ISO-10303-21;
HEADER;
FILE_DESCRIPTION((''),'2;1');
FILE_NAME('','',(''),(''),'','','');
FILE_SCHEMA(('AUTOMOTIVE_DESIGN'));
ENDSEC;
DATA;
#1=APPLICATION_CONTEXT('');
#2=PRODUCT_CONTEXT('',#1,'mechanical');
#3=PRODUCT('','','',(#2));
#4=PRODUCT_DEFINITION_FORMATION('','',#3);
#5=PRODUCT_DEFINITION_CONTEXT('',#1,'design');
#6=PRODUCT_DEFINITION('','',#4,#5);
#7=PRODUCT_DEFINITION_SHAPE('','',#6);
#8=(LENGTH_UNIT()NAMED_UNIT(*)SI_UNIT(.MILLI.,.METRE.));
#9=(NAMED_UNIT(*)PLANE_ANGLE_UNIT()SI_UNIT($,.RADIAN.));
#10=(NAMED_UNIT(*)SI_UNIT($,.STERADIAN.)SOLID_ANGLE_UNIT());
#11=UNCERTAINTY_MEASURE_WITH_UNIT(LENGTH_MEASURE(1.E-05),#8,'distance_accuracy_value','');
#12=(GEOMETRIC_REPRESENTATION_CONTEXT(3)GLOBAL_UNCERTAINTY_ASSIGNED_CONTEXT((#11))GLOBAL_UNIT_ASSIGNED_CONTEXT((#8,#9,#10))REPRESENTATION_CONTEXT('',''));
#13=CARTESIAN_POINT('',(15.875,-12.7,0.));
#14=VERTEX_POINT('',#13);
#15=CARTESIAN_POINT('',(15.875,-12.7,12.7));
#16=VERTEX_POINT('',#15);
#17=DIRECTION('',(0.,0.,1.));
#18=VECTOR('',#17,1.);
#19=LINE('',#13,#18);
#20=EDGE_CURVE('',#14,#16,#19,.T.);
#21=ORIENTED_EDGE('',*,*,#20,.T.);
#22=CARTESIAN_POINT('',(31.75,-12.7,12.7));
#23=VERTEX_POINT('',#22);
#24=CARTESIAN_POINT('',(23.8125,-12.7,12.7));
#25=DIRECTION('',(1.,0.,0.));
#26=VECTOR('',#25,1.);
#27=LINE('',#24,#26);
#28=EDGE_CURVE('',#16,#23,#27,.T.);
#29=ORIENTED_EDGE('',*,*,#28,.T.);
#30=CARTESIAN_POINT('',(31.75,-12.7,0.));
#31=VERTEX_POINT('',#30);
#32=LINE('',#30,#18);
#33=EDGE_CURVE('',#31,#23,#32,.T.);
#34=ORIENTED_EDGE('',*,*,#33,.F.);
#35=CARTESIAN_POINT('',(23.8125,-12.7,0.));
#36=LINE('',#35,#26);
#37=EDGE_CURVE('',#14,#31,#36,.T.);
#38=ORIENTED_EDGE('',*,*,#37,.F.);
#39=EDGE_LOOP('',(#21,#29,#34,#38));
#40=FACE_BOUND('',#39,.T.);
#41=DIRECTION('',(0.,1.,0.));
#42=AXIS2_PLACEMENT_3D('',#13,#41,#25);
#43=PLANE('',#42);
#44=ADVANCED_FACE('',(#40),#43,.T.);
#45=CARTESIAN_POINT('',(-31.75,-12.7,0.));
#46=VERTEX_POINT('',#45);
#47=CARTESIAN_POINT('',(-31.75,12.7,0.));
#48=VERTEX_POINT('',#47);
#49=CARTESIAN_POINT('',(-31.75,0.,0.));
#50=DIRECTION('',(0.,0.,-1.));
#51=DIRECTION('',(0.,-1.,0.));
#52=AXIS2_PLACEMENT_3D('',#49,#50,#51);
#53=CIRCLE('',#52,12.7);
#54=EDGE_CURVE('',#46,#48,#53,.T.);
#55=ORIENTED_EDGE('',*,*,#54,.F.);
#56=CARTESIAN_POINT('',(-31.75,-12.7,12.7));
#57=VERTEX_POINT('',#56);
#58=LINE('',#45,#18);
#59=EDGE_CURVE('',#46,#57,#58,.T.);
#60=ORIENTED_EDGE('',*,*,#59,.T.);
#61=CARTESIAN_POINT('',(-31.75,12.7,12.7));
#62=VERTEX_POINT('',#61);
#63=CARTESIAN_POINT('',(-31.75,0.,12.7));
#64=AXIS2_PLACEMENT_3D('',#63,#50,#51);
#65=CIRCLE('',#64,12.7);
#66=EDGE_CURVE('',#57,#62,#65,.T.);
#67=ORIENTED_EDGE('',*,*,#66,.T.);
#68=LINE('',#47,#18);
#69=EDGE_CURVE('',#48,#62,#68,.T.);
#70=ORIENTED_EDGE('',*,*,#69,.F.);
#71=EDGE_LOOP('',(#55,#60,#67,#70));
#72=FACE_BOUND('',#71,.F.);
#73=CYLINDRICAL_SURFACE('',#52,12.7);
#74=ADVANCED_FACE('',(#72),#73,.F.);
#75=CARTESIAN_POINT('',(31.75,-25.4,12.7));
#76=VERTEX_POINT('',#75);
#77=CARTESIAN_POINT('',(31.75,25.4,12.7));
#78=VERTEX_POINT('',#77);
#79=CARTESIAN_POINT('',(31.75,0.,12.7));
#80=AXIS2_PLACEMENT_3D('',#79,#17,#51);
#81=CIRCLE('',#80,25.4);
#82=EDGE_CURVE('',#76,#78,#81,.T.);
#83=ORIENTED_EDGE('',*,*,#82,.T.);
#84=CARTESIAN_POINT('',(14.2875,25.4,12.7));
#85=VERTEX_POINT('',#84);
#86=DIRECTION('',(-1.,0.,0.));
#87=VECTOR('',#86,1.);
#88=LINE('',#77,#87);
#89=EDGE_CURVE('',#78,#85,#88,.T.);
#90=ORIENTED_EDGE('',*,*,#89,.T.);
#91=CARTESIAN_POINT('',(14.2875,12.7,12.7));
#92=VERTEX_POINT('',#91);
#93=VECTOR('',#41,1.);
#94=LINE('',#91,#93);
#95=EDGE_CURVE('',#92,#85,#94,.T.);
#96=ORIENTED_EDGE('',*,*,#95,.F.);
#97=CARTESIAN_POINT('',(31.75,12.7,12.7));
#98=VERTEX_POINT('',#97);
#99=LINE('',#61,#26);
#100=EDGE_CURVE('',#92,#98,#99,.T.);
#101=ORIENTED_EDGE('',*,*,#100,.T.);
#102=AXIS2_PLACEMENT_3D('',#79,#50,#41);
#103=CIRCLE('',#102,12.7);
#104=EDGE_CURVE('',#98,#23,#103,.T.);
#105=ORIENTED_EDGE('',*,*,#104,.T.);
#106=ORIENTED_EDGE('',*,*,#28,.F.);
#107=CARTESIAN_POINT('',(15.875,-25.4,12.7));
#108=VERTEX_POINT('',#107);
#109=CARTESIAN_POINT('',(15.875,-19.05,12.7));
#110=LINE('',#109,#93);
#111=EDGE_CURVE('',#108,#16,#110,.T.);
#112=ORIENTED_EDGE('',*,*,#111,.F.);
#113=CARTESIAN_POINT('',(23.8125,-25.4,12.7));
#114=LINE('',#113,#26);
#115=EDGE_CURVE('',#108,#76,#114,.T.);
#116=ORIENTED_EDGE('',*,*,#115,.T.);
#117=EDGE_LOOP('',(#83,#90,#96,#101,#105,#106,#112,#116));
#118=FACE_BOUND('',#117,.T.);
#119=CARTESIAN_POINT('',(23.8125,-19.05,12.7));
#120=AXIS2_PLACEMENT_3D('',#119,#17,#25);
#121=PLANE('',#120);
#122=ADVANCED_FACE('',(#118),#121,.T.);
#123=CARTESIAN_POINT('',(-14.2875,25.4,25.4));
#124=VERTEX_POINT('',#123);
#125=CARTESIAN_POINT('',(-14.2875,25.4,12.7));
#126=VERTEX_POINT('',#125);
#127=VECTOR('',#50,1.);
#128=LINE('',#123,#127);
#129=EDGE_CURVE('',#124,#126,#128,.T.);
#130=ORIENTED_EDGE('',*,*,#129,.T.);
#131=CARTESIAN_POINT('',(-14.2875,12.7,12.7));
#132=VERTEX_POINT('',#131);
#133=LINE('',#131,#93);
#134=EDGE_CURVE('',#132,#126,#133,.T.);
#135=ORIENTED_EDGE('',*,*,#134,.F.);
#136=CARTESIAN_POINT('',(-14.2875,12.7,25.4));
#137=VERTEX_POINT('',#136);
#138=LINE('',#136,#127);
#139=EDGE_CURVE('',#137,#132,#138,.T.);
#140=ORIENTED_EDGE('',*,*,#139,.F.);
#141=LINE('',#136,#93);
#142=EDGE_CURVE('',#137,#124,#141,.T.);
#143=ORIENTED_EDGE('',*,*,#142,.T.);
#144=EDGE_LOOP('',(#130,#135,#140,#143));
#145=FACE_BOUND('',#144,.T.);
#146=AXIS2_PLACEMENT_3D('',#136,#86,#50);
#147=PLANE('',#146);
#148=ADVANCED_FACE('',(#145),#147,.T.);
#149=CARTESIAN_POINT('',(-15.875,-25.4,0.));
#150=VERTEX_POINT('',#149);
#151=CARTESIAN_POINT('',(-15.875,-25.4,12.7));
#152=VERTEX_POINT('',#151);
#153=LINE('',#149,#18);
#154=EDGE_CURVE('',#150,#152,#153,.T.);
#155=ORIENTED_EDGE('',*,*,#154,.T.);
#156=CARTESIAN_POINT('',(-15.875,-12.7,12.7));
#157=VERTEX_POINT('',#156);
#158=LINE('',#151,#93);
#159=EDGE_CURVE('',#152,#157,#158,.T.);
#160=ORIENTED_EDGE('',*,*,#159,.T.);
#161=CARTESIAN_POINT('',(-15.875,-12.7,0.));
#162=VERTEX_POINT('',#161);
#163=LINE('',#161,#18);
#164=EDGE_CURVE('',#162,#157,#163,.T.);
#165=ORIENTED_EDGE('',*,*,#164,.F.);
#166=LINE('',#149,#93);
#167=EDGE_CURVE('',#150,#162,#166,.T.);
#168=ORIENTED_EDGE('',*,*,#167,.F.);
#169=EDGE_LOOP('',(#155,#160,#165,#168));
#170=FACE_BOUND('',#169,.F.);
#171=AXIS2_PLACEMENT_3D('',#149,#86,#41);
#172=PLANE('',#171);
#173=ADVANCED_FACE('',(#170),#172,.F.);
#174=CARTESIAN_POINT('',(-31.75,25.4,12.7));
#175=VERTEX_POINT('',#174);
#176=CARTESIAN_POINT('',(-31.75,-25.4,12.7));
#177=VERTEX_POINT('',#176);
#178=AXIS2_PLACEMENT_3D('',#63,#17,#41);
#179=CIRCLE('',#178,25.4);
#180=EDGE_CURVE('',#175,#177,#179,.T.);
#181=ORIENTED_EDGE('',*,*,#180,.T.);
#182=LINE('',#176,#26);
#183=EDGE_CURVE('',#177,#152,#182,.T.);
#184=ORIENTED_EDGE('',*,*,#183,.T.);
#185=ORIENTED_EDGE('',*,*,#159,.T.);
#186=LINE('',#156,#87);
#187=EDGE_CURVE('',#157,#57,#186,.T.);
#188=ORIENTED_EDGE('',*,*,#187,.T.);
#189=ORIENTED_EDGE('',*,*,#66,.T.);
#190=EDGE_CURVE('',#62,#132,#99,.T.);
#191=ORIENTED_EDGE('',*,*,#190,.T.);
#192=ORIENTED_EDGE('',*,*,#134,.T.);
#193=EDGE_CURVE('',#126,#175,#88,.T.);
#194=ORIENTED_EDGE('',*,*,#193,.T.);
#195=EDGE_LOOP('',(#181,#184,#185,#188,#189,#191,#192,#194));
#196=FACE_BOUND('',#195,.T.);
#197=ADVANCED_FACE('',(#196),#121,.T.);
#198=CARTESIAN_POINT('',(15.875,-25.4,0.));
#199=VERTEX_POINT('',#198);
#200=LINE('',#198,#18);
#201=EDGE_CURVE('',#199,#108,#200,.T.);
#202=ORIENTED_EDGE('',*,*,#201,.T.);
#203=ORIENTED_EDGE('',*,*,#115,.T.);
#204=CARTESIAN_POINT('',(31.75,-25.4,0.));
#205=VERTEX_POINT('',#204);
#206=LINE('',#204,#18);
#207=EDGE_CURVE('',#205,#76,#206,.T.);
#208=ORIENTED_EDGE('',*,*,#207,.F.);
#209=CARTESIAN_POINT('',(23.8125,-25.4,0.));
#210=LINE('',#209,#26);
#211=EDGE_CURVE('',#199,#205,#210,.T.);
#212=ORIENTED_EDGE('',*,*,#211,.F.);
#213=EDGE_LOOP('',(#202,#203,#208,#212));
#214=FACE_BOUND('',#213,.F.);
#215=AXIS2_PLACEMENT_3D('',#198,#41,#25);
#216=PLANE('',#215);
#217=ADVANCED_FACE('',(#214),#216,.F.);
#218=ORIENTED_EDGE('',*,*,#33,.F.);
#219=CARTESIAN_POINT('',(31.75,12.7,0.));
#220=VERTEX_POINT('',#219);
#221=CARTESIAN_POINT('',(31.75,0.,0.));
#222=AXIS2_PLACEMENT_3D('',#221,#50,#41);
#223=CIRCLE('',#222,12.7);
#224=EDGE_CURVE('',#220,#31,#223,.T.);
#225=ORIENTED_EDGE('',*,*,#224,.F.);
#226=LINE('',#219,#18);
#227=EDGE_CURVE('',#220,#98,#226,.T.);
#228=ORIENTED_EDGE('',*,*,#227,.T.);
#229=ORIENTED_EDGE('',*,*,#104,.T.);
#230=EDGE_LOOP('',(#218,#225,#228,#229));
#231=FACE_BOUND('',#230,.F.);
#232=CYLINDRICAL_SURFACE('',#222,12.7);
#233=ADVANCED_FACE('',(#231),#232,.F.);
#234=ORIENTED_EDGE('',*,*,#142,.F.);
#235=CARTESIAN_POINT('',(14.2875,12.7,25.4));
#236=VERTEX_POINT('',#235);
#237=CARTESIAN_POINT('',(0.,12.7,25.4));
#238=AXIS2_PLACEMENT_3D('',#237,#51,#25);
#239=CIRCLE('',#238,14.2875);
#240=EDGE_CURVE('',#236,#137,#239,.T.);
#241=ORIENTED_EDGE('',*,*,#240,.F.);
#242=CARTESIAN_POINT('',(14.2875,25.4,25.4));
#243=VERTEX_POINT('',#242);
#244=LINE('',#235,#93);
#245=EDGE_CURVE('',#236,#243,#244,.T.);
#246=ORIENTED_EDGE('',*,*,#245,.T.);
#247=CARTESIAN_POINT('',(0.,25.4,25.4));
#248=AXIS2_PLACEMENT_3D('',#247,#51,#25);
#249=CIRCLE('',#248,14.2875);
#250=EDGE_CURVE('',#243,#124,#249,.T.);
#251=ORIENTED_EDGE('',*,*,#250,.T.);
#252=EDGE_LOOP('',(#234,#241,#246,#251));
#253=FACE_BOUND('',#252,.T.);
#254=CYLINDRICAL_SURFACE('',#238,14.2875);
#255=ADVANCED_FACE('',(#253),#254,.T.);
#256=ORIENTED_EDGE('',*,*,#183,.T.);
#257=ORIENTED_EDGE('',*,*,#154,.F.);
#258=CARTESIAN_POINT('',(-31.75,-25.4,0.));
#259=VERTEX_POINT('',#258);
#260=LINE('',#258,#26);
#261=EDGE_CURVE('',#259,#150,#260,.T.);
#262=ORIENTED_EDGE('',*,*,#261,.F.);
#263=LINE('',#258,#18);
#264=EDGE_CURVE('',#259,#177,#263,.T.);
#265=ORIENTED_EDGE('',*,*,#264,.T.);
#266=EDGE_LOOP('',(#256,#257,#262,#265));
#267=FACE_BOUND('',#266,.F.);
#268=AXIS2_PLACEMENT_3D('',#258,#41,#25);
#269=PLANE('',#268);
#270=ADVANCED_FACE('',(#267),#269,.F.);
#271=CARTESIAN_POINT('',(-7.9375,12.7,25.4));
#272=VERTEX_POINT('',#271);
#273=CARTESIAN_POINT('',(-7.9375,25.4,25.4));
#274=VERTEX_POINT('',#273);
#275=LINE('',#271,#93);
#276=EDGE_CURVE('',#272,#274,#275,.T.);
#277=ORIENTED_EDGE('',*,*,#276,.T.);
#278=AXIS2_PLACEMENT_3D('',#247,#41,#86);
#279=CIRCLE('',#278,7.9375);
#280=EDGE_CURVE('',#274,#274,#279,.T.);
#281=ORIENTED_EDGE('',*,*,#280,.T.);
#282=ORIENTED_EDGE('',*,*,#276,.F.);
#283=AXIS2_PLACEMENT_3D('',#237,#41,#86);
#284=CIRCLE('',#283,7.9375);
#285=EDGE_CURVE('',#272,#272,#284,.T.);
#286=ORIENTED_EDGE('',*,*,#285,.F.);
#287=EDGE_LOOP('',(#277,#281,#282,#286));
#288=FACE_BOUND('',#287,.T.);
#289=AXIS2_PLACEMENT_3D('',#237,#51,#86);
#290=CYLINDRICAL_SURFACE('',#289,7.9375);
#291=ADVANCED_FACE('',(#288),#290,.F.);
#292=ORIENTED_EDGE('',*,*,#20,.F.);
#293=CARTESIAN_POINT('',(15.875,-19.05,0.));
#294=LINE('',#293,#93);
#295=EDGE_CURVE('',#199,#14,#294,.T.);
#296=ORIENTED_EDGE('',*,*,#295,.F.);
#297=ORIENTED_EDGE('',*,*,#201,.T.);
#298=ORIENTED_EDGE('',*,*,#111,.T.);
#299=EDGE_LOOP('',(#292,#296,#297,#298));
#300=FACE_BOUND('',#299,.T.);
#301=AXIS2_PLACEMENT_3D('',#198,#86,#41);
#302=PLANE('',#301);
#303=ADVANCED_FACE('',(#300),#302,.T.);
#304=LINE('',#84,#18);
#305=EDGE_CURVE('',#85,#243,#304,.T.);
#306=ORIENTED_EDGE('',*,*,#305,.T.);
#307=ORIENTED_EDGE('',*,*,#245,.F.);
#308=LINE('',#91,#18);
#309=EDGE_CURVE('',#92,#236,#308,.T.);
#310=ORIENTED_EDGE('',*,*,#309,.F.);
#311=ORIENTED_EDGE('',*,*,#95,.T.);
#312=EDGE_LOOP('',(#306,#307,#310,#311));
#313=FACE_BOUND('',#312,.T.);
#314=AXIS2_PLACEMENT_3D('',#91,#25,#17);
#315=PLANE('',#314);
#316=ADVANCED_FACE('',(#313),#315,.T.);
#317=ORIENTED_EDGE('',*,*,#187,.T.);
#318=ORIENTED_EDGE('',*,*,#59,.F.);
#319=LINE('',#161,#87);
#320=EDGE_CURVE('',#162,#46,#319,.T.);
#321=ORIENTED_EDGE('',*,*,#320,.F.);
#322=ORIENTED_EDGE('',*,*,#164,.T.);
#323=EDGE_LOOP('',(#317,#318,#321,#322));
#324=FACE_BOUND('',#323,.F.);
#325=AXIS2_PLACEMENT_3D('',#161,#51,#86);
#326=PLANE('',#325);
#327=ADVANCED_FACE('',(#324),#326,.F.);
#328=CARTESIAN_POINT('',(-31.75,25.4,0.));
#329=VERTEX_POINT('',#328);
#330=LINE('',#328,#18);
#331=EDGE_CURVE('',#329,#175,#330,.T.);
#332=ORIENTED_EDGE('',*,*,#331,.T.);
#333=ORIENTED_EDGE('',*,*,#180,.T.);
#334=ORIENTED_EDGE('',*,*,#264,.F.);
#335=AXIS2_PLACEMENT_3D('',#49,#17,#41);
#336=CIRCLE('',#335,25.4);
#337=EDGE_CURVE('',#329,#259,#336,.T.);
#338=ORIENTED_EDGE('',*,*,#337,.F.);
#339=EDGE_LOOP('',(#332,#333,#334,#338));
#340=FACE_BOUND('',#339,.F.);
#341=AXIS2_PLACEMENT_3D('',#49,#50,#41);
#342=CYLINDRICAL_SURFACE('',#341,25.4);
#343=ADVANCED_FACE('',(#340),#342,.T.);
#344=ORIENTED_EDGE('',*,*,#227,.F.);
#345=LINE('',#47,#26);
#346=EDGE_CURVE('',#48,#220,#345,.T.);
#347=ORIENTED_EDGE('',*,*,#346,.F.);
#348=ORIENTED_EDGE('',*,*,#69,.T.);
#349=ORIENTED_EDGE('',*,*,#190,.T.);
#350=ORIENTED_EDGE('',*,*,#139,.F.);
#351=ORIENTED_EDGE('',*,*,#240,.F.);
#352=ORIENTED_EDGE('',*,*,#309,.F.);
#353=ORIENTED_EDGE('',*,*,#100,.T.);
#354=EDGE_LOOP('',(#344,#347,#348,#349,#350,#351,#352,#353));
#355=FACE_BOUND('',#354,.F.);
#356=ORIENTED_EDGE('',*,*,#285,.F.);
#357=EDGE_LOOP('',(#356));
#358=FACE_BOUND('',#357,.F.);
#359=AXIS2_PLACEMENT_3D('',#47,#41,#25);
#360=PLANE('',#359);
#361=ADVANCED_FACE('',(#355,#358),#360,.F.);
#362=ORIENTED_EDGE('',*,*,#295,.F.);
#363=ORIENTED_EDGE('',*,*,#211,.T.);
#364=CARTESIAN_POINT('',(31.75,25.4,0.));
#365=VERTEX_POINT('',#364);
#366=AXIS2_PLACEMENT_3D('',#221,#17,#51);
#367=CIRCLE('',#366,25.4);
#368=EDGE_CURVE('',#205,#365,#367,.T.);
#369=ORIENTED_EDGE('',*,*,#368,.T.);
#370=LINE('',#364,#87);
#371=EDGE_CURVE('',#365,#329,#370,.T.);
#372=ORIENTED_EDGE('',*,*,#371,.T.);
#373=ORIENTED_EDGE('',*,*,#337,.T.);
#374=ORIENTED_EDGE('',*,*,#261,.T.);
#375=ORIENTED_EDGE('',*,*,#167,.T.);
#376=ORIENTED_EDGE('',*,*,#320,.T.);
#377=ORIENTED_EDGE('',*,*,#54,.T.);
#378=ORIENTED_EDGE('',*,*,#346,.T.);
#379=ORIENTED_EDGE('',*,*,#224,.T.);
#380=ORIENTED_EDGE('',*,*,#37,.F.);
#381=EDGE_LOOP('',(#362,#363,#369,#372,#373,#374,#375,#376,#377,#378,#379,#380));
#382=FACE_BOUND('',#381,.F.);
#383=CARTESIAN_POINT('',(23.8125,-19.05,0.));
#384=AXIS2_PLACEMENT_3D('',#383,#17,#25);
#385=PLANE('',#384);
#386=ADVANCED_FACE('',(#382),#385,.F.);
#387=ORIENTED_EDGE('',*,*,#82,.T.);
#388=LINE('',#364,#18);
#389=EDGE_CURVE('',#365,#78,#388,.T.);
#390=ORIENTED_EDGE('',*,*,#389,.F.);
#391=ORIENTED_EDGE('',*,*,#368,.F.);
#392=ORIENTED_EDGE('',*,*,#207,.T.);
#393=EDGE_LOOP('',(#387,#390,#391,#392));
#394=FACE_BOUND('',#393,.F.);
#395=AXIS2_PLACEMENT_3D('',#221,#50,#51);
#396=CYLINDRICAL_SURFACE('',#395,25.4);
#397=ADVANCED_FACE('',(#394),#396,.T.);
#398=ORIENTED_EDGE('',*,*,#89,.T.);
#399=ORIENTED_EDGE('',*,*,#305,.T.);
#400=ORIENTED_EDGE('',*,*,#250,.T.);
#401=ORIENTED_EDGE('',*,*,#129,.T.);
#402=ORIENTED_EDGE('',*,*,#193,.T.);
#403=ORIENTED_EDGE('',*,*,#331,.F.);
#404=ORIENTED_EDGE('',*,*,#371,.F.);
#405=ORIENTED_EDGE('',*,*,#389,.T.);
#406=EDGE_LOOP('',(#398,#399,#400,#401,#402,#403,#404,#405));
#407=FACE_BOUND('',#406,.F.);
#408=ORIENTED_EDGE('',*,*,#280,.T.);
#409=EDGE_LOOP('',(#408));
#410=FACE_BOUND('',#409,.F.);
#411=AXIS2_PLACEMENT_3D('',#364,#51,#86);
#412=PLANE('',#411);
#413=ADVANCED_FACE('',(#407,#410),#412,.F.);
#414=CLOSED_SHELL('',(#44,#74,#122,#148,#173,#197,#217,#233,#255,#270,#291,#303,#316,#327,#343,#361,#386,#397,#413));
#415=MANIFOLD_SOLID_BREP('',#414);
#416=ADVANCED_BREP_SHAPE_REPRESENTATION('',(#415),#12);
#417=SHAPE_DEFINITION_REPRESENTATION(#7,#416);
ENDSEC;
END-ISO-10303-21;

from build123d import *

# Parameters (mm, degrees)
F0_W     = 15.875
F0_H     = 12.7
F1_DEPTH = 12.7
F3_DEPTH = 12.7


with BuildPart() as f1:
    # F0 (on Top) → F1 (new body)
    with BuildSketch(Plane.XY):
        with Locations((23.8125, -19.05)):
            Rectangle(F0_W, F0_H)
        with BuildLine():
            ThreePointArc((31.75, 12.7), (44.45, 0), (31.75, -12.7))
            Line((31.75, -12.7), (31.75, -25.4))
            ThreePointArc((31.75, -25.4), (57.15, 0), (31.75, 25.4))
            Line((31.75, 25.4), (0, 25.4))
            Line((0, 25.4), (-31.75, 25.4))
            ThreePointArc((-31.75, 25.4), (-57.15, 0), (-31.75, -25.4))
            Line((-31.75, -25.4), (-15.875, -25.4))
            Line((-15.875, -25.4), (-15.875, -12.7))
            Line((-15.875, -12.7), (-31.75, -12.7))
            ThreePointArc((-31.75, -12.7), (-44.45, 0), (-31.75, 12.7))
            Line((-31.75, 12.7), (0, 12.7))
            Line((0, 12.7), (31.75, 12.7))
        make_face()
    extrude(amount=F1_DEPTH)

    # F2 (on face) → F3 (join)
    with BuildSketch(Plane.XZ.offset(-12.7)):
        with BuildLine():
            Line((14.2875, 25.4), (7.9375, 25.4))
            ThreePointArc((7.9375, 25.4), (0, 17.4625), (-7.9375, 25.4))
            Line((-7.9375, 25.4), (-14.2875, 25.4))
            Line((-14.2875, 25.4), (-14.2875, 12.7))
            Line((-14.2875, 12.7), (14.2875, 12.7))
            Line((14.2875, 12.7), (14.2875, 25.4))
        make_face()
        with BuildLine():
            ThreePointArc((-7.9375, 25.4), (0, 33.3375), (7.9375, 25.4))
            Line((7.9375, 25.4), (14.2875, 25.4))
            ThreePointArc((14.2875, 25.4), (0, 39.6875), (-14.2875, 25.4))
            Line((-14.2875, 25.4), (-7.9375, 25.4))
        make_face()
    extrude(amount=-F3_DEPTH)


solid = f1.part
